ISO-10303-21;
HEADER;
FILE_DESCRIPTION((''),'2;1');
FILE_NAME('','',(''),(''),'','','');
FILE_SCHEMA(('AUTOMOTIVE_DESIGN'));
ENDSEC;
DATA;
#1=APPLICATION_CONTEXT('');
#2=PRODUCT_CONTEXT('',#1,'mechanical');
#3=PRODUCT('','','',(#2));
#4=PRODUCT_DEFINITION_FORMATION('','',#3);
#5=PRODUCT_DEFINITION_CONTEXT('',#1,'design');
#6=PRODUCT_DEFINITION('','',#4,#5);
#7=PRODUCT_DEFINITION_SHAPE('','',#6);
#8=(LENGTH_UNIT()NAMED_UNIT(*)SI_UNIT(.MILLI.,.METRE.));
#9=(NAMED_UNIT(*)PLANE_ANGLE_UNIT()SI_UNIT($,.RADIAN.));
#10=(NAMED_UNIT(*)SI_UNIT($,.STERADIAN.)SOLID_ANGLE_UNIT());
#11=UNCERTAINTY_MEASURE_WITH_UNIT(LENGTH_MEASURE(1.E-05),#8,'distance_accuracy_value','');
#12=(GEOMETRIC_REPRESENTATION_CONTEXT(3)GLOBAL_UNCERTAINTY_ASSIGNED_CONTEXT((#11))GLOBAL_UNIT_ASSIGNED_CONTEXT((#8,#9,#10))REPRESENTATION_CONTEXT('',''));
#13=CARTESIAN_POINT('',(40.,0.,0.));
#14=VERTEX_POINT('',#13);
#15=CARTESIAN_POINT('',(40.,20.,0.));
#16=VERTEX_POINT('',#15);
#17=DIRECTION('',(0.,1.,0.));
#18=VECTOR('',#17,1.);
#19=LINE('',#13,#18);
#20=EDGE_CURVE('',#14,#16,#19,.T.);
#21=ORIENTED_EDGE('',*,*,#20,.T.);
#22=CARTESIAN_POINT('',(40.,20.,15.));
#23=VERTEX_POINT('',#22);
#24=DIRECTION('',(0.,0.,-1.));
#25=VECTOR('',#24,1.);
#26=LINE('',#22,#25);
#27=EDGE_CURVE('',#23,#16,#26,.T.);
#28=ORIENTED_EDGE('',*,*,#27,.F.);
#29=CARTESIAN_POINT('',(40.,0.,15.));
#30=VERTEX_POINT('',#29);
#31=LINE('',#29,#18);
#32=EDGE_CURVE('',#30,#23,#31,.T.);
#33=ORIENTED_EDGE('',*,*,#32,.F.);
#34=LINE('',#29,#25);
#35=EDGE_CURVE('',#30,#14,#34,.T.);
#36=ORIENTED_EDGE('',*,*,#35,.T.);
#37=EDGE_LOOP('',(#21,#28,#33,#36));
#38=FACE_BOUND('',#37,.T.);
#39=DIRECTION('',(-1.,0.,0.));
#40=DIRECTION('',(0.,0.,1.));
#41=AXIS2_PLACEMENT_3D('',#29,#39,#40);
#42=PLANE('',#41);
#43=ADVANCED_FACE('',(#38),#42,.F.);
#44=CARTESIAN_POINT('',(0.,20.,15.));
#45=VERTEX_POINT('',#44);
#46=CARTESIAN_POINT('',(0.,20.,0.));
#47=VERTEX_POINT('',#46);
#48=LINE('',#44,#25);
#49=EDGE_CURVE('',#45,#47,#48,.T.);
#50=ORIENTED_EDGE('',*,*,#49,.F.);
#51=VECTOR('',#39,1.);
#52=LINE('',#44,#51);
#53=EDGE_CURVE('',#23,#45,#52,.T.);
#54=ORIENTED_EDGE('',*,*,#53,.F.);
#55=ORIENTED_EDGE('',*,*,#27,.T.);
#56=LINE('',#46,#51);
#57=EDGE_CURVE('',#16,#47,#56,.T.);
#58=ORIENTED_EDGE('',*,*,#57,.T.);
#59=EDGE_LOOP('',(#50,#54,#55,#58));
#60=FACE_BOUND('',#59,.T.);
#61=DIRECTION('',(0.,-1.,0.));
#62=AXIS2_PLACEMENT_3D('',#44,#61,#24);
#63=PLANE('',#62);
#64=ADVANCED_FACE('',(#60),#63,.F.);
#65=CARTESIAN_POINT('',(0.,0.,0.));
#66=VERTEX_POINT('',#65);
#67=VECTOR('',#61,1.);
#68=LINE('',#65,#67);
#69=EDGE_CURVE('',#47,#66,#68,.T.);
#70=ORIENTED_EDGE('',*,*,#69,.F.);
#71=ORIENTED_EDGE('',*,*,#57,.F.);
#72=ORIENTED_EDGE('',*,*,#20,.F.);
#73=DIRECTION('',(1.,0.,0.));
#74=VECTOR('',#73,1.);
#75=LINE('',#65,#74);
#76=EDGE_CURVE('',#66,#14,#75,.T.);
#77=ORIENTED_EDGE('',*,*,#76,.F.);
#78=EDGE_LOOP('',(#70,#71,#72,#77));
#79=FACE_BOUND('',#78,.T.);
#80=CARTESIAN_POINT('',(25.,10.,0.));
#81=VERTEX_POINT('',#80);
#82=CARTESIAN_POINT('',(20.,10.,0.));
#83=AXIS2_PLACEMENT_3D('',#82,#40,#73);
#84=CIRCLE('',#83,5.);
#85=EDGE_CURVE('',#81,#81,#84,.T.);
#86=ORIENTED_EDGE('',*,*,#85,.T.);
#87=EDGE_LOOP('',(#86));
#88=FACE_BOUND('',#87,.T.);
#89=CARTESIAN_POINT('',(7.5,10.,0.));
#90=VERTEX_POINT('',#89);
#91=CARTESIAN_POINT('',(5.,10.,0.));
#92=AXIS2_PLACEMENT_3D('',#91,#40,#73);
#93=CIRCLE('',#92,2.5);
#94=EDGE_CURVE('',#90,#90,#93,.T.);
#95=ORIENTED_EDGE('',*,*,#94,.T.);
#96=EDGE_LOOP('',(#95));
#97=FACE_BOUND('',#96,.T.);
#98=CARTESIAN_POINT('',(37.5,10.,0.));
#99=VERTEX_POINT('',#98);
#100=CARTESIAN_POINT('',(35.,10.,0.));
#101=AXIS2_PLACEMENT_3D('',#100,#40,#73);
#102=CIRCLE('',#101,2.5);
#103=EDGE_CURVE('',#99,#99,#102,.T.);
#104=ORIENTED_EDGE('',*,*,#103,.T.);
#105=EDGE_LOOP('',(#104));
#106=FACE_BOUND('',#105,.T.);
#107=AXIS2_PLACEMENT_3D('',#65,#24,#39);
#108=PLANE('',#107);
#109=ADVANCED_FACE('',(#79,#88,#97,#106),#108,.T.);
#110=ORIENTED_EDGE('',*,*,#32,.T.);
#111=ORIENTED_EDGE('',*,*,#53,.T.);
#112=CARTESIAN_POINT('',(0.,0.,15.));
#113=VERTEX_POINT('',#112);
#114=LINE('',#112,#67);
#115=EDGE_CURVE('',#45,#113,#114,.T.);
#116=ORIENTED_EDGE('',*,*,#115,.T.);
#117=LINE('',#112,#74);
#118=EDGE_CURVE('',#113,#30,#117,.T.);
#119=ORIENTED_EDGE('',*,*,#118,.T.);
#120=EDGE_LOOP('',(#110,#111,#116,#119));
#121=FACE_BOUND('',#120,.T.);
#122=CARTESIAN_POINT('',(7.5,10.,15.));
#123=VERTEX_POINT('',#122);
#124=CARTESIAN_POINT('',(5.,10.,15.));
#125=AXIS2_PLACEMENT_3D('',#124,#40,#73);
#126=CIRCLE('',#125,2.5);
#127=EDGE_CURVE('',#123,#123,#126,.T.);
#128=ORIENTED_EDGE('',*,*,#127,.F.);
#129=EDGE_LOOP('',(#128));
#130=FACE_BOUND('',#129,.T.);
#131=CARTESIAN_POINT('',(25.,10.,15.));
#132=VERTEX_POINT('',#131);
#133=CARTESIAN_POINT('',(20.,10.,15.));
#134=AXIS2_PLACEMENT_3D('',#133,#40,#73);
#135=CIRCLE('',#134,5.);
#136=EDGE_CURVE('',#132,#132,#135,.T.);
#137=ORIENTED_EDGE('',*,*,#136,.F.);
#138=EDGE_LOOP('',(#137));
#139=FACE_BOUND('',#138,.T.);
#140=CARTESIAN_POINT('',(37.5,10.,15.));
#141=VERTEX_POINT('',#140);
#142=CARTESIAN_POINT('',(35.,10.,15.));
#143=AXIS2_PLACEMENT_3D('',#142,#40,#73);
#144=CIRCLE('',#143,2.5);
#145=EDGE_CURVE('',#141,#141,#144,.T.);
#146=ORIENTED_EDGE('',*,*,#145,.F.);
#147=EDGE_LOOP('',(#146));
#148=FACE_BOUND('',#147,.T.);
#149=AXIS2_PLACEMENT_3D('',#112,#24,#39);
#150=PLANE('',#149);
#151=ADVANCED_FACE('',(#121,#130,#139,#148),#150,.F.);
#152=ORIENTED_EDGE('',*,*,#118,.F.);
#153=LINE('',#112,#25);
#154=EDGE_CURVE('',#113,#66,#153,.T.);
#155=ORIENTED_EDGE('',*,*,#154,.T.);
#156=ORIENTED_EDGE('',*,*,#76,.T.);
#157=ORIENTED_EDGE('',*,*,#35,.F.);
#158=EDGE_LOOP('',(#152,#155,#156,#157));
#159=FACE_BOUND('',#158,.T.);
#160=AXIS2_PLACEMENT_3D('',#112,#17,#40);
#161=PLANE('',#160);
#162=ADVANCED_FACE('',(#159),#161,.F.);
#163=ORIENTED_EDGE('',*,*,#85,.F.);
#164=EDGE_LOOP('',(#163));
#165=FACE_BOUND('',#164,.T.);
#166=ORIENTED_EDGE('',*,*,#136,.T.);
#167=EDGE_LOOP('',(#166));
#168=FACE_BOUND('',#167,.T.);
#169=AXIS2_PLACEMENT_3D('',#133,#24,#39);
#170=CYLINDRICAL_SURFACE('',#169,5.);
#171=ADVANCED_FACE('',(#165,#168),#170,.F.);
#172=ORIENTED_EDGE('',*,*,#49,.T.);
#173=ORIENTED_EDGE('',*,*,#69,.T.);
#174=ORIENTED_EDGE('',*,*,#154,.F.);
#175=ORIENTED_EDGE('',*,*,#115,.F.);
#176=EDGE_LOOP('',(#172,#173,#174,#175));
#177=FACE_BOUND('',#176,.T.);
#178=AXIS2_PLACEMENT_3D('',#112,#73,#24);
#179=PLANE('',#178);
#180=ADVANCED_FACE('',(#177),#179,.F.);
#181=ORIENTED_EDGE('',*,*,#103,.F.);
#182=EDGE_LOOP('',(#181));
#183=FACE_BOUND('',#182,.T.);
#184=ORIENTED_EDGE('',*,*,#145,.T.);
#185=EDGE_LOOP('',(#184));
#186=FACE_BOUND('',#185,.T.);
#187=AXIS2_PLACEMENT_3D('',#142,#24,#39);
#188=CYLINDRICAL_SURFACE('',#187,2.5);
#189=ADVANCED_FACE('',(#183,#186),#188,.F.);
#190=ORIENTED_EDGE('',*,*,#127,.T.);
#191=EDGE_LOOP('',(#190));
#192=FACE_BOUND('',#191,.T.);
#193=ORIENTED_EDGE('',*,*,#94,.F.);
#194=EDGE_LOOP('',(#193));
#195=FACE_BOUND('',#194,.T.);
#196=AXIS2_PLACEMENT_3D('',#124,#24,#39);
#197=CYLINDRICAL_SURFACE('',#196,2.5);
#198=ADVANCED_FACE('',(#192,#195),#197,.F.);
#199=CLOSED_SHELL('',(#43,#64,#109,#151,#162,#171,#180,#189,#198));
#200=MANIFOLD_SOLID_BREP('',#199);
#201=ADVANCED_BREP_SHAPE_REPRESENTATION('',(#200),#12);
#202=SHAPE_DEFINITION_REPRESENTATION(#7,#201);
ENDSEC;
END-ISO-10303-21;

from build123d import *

# Parameters (mm, degrees)
SKETCH1_W           = 40
SKETCH1_H           = 20
SKETCH1_R           = 5
SKETCH1_R_2         = 2.5
BOSS_EXTRUDE1_DEPTH = 15


with BuildPart() as part:
    # Sketch1 → Boss-Extrude1 (new body)
    with BuildSketch(Plane.XY):
        with Locations((20, 10)):
            Rectangle(SKETCH1_W, SKETCH1_H)
        with Locations((20, 10)):
            Circle(SKETCH1_R, mode=Mode.SUBTRACT)
        with Locations((35, 10)):
            Circle(SKETCH1_R_2, mode=Mode.SUBTRACT)
        with Locations((5, 10)):
            Circle(SKETCH1_R_2, mode=Mode.SUBTRACT)
    extrude(amount=BOSS_EXTRUDE1_DEPTH)


solid = part.part
